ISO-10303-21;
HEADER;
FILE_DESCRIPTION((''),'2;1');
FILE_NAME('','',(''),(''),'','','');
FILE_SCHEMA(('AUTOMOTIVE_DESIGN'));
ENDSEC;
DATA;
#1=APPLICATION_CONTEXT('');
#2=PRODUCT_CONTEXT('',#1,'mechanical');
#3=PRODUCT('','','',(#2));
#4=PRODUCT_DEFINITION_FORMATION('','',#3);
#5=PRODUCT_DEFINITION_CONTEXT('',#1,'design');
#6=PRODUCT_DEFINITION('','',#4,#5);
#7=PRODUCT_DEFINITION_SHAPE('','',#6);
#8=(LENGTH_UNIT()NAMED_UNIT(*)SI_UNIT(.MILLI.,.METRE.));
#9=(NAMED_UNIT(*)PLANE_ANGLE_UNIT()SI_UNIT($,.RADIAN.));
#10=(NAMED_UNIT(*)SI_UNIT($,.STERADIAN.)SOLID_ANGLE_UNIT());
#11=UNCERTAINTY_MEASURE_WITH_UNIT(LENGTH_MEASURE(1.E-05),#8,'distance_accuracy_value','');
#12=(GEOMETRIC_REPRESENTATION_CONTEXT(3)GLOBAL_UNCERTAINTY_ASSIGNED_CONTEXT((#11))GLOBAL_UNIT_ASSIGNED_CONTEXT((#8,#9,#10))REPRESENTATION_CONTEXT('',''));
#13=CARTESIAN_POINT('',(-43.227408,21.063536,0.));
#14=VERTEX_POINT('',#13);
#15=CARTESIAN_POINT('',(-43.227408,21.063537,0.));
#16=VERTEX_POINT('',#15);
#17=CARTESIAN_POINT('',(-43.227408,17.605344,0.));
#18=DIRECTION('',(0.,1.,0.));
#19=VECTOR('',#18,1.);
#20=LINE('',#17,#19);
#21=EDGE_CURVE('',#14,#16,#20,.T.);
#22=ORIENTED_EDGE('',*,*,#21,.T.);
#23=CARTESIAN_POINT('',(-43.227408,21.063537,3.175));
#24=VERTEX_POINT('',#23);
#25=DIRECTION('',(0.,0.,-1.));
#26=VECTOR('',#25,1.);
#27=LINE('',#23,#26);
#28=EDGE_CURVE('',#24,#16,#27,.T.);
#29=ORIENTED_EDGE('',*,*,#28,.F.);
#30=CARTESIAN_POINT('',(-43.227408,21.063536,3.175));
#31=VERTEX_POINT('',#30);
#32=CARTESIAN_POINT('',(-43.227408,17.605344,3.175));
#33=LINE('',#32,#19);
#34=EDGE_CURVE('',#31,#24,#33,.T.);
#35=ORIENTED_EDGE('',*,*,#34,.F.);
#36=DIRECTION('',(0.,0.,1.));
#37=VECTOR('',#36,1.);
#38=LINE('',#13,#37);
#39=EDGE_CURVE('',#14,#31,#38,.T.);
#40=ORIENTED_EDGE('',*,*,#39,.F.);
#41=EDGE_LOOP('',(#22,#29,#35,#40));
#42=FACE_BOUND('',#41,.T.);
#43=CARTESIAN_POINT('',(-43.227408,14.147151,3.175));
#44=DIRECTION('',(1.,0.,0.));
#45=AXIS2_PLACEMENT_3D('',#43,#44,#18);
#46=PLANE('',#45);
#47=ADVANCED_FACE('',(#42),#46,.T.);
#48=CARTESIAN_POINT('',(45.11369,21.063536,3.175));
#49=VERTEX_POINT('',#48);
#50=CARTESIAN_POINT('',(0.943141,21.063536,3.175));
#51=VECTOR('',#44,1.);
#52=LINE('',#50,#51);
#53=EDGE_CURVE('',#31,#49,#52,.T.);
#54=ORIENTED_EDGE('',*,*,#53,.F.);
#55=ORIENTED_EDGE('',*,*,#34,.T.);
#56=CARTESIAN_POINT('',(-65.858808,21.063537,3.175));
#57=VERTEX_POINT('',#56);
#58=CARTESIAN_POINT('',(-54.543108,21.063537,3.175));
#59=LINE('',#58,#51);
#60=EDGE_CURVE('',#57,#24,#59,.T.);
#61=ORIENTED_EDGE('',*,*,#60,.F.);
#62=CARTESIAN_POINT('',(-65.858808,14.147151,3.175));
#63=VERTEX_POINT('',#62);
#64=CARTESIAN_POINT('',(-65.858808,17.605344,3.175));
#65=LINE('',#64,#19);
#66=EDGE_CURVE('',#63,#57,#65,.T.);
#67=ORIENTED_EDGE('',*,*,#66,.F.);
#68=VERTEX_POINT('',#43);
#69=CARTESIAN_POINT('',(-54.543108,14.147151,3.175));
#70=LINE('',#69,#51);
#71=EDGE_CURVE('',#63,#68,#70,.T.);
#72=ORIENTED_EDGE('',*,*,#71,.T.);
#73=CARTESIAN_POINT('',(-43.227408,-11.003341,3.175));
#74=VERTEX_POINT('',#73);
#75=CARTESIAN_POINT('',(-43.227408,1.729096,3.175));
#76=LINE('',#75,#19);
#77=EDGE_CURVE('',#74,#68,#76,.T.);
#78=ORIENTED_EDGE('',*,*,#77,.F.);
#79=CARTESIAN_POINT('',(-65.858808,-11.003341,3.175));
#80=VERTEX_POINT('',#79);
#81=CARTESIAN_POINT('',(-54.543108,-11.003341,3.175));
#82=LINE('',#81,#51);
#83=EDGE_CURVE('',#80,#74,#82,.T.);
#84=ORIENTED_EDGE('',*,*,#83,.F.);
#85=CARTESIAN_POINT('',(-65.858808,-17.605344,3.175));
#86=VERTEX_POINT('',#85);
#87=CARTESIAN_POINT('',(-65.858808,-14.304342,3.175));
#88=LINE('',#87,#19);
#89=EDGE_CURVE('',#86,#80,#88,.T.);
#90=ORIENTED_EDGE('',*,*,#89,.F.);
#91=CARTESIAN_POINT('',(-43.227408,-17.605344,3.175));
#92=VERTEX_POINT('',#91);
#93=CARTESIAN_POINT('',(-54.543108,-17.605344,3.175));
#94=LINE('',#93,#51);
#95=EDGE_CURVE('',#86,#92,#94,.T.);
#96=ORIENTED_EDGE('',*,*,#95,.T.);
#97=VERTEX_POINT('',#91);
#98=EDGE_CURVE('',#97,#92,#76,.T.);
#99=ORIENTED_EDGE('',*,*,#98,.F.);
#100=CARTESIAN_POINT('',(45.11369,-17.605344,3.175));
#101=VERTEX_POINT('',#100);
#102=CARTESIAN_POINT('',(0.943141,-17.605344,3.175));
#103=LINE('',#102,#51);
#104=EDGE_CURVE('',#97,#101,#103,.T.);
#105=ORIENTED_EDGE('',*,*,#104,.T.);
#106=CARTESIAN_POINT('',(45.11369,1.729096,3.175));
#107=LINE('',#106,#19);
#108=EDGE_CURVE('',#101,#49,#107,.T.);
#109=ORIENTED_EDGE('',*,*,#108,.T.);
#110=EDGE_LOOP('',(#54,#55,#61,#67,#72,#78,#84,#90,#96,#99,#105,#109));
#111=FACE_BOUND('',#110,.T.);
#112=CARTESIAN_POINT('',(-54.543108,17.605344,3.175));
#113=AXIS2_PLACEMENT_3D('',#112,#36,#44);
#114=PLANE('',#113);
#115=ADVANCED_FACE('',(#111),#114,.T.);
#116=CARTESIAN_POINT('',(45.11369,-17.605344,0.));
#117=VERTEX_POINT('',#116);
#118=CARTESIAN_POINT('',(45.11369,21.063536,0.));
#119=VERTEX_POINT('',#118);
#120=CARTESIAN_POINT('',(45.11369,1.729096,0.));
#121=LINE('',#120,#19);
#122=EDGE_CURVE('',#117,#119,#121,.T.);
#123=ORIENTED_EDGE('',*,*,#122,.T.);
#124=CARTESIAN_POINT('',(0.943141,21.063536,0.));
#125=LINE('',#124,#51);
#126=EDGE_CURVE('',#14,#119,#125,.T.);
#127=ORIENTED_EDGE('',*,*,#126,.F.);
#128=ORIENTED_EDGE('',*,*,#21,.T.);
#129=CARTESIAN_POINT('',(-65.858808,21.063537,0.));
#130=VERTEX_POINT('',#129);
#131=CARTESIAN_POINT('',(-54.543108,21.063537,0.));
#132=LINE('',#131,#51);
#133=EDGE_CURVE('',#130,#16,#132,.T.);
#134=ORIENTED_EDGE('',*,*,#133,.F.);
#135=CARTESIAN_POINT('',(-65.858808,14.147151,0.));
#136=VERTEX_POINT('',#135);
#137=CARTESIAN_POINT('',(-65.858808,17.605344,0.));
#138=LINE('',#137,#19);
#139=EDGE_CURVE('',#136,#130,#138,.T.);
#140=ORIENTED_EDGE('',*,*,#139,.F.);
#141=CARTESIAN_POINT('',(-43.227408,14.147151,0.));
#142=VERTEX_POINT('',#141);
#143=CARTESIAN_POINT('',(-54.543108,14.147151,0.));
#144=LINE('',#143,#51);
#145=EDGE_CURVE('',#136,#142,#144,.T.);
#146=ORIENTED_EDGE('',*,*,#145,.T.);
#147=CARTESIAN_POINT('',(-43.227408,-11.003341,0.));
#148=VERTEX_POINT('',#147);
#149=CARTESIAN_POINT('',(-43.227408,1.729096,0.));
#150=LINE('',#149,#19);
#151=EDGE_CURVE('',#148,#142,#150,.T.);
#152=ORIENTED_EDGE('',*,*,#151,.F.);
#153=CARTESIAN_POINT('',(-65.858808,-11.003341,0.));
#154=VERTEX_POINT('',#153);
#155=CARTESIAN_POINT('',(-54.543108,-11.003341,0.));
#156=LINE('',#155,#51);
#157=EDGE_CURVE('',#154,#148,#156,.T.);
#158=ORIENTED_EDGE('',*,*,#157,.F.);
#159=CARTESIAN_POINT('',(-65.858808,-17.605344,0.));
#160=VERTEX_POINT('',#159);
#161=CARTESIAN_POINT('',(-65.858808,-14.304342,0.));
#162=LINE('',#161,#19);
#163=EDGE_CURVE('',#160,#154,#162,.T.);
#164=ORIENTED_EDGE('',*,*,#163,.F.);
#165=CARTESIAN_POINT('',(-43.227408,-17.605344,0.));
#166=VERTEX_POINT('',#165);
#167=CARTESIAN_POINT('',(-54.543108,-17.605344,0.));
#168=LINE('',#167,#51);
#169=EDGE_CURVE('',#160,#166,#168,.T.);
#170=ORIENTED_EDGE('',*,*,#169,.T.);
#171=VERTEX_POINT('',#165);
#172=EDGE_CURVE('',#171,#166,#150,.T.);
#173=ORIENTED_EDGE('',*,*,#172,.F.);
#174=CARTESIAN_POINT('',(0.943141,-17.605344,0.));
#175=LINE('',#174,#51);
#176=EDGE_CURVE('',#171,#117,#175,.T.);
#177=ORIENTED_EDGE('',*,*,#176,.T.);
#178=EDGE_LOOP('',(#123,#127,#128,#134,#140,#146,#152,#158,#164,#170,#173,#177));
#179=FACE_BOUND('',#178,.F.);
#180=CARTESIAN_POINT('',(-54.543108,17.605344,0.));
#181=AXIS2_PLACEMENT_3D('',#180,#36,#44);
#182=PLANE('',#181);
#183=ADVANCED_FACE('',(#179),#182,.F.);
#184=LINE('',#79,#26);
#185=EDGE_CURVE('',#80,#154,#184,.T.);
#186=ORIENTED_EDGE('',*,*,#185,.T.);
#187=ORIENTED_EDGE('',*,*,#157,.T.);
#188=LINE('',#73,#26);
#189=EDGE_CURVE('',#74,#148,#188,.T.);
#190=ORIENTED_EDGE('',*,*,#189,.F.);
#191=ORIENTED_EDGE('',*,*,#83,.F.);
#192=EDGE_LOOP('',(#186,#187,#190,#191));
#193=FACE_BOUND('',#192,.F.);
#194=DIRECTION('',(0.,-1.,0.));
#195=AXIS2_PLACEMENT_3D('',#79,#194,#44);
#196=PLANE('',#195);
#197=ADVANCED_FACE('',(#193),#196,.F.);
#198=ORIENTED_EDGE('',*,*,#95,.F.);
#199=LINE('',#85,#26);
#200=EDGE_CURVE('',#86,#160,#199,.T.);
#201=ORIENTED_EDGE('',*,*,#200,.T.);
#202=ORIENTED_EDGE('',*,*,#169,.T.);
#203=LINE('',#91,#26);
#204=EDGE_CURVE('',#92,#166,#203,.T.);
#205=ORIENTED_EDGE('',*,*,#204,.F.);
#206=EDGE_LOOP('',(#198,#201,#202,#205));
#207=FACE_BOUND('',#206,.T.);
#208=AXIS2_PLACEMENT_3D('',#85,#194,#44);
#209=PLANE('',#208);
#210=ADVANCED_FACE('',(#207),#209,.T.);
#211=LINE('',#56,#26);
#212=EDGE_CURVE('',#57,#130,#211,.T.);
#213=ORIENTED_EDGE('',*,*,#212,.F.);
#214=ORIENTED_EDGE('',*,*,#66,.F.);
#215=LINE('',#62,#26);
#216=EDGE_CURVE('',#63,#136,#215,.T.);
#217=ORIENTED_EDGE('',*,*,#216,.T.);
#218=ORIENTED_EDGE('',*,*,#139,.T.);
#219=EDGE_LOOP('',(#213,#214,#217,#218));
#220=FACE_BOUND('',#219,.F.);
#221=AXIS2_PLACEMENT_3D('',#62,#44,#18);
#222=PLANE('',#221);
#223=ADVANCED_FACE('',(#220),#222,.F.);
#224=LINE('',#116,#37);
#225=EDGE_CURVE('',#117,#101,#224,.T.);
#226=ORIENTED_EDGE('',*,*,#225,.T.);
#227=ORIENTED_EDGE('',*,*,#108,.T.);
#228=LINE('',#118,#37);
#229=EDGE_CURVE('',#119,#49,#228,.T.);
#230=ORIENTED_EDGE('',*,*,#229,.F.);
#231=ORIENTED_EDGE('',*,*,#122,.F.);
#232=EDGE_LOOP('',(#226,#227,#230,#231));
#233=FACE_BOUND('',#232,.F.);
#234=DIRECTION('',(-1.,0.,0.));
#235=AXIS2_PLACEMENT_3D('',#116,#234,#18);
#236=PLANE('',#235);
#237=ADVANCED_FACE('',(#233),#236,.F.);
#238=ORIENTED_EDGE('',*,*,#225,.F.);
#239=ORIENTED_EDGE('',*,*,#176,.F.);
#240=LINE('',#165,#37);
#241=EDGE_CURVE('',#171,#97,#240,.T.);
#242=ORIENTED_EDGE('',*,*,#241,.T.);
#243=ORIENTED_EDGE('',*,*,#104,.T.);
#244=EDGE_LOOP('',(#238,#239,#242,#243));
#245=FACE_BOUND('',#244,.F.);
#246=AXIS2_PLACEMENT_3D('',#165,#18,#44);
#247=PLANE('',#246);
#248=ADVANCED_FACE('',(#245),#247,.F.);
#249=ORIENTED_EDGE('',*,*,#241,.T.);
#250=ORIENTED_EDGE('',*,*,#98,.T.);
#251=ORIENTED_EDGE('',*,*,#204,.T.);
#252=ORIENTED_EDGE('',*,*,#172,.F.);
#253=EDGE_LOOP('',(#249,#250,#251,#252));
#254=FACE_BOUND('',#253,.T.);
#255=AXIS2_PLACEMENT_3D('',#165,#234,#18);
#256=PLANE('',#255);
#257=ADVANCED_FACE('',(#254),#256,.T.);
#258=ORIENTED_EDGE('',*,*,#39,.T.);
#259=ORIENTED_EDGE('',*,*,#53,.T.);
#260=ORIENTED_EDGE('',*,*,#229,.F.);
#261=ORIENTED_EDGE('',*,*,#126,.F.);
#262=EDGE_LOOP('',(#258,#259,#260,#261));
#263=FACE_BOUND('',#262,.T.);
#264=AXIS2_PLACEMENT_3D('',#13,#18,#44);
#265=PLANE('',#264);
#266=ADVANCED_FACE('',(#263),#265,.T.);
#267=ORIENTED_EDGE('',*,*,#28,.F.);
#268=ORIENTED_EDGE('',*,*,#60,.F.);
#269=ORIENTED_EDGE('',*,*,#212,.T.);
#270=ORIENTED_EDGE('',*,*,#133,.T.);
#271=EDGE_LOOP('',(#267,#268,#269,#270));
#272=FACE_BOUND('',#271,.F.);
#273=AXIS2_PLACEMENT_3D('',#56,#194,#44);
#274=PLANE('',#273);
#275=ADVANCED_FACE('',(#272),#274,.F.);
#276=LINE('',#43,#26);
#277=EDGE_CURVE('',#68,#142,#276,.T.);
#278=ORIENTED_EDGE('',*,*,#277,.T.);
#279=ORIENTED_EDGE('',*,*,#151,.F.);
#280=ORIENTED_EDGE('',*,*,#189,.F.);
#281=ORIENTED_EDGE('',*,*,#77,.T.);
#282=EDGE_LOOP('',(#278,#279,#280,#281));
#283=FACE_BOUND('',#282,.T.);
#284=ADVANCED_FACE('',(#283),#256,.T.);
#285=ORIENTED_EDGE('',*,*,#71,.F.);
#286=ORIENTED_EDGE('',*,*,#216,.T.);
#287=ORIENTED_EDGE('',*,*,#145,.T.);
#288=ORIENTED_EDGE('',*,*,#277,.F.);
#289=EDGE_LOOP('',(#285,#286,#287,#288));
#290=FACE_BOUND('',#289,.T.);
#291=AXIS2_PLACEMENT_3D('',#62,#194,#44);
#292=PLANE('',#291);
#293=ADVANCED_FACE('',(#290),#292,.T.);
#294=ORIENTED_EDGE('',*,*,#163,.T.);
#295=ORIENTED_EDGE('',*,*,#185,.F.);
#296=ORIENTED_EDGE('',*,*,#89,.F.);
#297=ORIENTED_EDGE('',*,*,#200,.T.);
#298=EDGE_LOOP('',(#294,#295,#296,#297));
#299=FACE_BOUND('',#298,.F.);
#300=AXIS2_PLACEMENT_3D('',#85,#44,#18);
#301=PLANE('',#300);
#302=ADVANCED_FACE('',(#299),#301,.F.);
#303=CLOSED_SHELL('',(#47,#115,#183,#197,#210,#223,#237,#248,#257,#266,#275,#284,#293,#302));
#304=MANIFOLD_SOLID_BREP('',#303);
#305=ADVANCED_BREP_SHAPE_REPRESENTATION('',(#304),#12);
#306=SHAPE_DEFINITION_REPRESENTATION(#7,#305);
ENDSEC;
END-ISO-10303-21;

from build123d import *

# Parameters (mm, degrees)
F0_W     = 88.341098
F0_H     = 38.66888
F1_DEPTH = 3.175
F2_W     = 22.6314
F2_H     = 6.916385
F3_DEPTH = 3.175
F4_W     = 22.6314
F4_H     = 6.602003
F5_DEPTH = 3.175


with BuildPart() as f1:
    # F0 (on Top) → F1 (new body)
    with BuildSketch(Plane.XY):
        with Locations((0.943141, 1.729096)):
            Rectangle(F0_W, F0_H)
    extrude(amount=F1_DEPTH)

    # F2 (on face) → F3 (join)
    with BuildSketch(Plane.XY.offset(3.175)):
        with Locations((-54.543108, 17.605344)):
            Rectangle(F2_W, F2_H)
    extrude(amount=-F3_DEPTH)

    # F4 (on face) → F5 (join)
    with BuildSketch(Plane.XY.offset(3.175)):
        with Locations((-54.543108, -14.304342)):
            Rectangle(F4_W, F4_H)
    extrude(amount=-F5_DEPTH)


solid = f1.part
